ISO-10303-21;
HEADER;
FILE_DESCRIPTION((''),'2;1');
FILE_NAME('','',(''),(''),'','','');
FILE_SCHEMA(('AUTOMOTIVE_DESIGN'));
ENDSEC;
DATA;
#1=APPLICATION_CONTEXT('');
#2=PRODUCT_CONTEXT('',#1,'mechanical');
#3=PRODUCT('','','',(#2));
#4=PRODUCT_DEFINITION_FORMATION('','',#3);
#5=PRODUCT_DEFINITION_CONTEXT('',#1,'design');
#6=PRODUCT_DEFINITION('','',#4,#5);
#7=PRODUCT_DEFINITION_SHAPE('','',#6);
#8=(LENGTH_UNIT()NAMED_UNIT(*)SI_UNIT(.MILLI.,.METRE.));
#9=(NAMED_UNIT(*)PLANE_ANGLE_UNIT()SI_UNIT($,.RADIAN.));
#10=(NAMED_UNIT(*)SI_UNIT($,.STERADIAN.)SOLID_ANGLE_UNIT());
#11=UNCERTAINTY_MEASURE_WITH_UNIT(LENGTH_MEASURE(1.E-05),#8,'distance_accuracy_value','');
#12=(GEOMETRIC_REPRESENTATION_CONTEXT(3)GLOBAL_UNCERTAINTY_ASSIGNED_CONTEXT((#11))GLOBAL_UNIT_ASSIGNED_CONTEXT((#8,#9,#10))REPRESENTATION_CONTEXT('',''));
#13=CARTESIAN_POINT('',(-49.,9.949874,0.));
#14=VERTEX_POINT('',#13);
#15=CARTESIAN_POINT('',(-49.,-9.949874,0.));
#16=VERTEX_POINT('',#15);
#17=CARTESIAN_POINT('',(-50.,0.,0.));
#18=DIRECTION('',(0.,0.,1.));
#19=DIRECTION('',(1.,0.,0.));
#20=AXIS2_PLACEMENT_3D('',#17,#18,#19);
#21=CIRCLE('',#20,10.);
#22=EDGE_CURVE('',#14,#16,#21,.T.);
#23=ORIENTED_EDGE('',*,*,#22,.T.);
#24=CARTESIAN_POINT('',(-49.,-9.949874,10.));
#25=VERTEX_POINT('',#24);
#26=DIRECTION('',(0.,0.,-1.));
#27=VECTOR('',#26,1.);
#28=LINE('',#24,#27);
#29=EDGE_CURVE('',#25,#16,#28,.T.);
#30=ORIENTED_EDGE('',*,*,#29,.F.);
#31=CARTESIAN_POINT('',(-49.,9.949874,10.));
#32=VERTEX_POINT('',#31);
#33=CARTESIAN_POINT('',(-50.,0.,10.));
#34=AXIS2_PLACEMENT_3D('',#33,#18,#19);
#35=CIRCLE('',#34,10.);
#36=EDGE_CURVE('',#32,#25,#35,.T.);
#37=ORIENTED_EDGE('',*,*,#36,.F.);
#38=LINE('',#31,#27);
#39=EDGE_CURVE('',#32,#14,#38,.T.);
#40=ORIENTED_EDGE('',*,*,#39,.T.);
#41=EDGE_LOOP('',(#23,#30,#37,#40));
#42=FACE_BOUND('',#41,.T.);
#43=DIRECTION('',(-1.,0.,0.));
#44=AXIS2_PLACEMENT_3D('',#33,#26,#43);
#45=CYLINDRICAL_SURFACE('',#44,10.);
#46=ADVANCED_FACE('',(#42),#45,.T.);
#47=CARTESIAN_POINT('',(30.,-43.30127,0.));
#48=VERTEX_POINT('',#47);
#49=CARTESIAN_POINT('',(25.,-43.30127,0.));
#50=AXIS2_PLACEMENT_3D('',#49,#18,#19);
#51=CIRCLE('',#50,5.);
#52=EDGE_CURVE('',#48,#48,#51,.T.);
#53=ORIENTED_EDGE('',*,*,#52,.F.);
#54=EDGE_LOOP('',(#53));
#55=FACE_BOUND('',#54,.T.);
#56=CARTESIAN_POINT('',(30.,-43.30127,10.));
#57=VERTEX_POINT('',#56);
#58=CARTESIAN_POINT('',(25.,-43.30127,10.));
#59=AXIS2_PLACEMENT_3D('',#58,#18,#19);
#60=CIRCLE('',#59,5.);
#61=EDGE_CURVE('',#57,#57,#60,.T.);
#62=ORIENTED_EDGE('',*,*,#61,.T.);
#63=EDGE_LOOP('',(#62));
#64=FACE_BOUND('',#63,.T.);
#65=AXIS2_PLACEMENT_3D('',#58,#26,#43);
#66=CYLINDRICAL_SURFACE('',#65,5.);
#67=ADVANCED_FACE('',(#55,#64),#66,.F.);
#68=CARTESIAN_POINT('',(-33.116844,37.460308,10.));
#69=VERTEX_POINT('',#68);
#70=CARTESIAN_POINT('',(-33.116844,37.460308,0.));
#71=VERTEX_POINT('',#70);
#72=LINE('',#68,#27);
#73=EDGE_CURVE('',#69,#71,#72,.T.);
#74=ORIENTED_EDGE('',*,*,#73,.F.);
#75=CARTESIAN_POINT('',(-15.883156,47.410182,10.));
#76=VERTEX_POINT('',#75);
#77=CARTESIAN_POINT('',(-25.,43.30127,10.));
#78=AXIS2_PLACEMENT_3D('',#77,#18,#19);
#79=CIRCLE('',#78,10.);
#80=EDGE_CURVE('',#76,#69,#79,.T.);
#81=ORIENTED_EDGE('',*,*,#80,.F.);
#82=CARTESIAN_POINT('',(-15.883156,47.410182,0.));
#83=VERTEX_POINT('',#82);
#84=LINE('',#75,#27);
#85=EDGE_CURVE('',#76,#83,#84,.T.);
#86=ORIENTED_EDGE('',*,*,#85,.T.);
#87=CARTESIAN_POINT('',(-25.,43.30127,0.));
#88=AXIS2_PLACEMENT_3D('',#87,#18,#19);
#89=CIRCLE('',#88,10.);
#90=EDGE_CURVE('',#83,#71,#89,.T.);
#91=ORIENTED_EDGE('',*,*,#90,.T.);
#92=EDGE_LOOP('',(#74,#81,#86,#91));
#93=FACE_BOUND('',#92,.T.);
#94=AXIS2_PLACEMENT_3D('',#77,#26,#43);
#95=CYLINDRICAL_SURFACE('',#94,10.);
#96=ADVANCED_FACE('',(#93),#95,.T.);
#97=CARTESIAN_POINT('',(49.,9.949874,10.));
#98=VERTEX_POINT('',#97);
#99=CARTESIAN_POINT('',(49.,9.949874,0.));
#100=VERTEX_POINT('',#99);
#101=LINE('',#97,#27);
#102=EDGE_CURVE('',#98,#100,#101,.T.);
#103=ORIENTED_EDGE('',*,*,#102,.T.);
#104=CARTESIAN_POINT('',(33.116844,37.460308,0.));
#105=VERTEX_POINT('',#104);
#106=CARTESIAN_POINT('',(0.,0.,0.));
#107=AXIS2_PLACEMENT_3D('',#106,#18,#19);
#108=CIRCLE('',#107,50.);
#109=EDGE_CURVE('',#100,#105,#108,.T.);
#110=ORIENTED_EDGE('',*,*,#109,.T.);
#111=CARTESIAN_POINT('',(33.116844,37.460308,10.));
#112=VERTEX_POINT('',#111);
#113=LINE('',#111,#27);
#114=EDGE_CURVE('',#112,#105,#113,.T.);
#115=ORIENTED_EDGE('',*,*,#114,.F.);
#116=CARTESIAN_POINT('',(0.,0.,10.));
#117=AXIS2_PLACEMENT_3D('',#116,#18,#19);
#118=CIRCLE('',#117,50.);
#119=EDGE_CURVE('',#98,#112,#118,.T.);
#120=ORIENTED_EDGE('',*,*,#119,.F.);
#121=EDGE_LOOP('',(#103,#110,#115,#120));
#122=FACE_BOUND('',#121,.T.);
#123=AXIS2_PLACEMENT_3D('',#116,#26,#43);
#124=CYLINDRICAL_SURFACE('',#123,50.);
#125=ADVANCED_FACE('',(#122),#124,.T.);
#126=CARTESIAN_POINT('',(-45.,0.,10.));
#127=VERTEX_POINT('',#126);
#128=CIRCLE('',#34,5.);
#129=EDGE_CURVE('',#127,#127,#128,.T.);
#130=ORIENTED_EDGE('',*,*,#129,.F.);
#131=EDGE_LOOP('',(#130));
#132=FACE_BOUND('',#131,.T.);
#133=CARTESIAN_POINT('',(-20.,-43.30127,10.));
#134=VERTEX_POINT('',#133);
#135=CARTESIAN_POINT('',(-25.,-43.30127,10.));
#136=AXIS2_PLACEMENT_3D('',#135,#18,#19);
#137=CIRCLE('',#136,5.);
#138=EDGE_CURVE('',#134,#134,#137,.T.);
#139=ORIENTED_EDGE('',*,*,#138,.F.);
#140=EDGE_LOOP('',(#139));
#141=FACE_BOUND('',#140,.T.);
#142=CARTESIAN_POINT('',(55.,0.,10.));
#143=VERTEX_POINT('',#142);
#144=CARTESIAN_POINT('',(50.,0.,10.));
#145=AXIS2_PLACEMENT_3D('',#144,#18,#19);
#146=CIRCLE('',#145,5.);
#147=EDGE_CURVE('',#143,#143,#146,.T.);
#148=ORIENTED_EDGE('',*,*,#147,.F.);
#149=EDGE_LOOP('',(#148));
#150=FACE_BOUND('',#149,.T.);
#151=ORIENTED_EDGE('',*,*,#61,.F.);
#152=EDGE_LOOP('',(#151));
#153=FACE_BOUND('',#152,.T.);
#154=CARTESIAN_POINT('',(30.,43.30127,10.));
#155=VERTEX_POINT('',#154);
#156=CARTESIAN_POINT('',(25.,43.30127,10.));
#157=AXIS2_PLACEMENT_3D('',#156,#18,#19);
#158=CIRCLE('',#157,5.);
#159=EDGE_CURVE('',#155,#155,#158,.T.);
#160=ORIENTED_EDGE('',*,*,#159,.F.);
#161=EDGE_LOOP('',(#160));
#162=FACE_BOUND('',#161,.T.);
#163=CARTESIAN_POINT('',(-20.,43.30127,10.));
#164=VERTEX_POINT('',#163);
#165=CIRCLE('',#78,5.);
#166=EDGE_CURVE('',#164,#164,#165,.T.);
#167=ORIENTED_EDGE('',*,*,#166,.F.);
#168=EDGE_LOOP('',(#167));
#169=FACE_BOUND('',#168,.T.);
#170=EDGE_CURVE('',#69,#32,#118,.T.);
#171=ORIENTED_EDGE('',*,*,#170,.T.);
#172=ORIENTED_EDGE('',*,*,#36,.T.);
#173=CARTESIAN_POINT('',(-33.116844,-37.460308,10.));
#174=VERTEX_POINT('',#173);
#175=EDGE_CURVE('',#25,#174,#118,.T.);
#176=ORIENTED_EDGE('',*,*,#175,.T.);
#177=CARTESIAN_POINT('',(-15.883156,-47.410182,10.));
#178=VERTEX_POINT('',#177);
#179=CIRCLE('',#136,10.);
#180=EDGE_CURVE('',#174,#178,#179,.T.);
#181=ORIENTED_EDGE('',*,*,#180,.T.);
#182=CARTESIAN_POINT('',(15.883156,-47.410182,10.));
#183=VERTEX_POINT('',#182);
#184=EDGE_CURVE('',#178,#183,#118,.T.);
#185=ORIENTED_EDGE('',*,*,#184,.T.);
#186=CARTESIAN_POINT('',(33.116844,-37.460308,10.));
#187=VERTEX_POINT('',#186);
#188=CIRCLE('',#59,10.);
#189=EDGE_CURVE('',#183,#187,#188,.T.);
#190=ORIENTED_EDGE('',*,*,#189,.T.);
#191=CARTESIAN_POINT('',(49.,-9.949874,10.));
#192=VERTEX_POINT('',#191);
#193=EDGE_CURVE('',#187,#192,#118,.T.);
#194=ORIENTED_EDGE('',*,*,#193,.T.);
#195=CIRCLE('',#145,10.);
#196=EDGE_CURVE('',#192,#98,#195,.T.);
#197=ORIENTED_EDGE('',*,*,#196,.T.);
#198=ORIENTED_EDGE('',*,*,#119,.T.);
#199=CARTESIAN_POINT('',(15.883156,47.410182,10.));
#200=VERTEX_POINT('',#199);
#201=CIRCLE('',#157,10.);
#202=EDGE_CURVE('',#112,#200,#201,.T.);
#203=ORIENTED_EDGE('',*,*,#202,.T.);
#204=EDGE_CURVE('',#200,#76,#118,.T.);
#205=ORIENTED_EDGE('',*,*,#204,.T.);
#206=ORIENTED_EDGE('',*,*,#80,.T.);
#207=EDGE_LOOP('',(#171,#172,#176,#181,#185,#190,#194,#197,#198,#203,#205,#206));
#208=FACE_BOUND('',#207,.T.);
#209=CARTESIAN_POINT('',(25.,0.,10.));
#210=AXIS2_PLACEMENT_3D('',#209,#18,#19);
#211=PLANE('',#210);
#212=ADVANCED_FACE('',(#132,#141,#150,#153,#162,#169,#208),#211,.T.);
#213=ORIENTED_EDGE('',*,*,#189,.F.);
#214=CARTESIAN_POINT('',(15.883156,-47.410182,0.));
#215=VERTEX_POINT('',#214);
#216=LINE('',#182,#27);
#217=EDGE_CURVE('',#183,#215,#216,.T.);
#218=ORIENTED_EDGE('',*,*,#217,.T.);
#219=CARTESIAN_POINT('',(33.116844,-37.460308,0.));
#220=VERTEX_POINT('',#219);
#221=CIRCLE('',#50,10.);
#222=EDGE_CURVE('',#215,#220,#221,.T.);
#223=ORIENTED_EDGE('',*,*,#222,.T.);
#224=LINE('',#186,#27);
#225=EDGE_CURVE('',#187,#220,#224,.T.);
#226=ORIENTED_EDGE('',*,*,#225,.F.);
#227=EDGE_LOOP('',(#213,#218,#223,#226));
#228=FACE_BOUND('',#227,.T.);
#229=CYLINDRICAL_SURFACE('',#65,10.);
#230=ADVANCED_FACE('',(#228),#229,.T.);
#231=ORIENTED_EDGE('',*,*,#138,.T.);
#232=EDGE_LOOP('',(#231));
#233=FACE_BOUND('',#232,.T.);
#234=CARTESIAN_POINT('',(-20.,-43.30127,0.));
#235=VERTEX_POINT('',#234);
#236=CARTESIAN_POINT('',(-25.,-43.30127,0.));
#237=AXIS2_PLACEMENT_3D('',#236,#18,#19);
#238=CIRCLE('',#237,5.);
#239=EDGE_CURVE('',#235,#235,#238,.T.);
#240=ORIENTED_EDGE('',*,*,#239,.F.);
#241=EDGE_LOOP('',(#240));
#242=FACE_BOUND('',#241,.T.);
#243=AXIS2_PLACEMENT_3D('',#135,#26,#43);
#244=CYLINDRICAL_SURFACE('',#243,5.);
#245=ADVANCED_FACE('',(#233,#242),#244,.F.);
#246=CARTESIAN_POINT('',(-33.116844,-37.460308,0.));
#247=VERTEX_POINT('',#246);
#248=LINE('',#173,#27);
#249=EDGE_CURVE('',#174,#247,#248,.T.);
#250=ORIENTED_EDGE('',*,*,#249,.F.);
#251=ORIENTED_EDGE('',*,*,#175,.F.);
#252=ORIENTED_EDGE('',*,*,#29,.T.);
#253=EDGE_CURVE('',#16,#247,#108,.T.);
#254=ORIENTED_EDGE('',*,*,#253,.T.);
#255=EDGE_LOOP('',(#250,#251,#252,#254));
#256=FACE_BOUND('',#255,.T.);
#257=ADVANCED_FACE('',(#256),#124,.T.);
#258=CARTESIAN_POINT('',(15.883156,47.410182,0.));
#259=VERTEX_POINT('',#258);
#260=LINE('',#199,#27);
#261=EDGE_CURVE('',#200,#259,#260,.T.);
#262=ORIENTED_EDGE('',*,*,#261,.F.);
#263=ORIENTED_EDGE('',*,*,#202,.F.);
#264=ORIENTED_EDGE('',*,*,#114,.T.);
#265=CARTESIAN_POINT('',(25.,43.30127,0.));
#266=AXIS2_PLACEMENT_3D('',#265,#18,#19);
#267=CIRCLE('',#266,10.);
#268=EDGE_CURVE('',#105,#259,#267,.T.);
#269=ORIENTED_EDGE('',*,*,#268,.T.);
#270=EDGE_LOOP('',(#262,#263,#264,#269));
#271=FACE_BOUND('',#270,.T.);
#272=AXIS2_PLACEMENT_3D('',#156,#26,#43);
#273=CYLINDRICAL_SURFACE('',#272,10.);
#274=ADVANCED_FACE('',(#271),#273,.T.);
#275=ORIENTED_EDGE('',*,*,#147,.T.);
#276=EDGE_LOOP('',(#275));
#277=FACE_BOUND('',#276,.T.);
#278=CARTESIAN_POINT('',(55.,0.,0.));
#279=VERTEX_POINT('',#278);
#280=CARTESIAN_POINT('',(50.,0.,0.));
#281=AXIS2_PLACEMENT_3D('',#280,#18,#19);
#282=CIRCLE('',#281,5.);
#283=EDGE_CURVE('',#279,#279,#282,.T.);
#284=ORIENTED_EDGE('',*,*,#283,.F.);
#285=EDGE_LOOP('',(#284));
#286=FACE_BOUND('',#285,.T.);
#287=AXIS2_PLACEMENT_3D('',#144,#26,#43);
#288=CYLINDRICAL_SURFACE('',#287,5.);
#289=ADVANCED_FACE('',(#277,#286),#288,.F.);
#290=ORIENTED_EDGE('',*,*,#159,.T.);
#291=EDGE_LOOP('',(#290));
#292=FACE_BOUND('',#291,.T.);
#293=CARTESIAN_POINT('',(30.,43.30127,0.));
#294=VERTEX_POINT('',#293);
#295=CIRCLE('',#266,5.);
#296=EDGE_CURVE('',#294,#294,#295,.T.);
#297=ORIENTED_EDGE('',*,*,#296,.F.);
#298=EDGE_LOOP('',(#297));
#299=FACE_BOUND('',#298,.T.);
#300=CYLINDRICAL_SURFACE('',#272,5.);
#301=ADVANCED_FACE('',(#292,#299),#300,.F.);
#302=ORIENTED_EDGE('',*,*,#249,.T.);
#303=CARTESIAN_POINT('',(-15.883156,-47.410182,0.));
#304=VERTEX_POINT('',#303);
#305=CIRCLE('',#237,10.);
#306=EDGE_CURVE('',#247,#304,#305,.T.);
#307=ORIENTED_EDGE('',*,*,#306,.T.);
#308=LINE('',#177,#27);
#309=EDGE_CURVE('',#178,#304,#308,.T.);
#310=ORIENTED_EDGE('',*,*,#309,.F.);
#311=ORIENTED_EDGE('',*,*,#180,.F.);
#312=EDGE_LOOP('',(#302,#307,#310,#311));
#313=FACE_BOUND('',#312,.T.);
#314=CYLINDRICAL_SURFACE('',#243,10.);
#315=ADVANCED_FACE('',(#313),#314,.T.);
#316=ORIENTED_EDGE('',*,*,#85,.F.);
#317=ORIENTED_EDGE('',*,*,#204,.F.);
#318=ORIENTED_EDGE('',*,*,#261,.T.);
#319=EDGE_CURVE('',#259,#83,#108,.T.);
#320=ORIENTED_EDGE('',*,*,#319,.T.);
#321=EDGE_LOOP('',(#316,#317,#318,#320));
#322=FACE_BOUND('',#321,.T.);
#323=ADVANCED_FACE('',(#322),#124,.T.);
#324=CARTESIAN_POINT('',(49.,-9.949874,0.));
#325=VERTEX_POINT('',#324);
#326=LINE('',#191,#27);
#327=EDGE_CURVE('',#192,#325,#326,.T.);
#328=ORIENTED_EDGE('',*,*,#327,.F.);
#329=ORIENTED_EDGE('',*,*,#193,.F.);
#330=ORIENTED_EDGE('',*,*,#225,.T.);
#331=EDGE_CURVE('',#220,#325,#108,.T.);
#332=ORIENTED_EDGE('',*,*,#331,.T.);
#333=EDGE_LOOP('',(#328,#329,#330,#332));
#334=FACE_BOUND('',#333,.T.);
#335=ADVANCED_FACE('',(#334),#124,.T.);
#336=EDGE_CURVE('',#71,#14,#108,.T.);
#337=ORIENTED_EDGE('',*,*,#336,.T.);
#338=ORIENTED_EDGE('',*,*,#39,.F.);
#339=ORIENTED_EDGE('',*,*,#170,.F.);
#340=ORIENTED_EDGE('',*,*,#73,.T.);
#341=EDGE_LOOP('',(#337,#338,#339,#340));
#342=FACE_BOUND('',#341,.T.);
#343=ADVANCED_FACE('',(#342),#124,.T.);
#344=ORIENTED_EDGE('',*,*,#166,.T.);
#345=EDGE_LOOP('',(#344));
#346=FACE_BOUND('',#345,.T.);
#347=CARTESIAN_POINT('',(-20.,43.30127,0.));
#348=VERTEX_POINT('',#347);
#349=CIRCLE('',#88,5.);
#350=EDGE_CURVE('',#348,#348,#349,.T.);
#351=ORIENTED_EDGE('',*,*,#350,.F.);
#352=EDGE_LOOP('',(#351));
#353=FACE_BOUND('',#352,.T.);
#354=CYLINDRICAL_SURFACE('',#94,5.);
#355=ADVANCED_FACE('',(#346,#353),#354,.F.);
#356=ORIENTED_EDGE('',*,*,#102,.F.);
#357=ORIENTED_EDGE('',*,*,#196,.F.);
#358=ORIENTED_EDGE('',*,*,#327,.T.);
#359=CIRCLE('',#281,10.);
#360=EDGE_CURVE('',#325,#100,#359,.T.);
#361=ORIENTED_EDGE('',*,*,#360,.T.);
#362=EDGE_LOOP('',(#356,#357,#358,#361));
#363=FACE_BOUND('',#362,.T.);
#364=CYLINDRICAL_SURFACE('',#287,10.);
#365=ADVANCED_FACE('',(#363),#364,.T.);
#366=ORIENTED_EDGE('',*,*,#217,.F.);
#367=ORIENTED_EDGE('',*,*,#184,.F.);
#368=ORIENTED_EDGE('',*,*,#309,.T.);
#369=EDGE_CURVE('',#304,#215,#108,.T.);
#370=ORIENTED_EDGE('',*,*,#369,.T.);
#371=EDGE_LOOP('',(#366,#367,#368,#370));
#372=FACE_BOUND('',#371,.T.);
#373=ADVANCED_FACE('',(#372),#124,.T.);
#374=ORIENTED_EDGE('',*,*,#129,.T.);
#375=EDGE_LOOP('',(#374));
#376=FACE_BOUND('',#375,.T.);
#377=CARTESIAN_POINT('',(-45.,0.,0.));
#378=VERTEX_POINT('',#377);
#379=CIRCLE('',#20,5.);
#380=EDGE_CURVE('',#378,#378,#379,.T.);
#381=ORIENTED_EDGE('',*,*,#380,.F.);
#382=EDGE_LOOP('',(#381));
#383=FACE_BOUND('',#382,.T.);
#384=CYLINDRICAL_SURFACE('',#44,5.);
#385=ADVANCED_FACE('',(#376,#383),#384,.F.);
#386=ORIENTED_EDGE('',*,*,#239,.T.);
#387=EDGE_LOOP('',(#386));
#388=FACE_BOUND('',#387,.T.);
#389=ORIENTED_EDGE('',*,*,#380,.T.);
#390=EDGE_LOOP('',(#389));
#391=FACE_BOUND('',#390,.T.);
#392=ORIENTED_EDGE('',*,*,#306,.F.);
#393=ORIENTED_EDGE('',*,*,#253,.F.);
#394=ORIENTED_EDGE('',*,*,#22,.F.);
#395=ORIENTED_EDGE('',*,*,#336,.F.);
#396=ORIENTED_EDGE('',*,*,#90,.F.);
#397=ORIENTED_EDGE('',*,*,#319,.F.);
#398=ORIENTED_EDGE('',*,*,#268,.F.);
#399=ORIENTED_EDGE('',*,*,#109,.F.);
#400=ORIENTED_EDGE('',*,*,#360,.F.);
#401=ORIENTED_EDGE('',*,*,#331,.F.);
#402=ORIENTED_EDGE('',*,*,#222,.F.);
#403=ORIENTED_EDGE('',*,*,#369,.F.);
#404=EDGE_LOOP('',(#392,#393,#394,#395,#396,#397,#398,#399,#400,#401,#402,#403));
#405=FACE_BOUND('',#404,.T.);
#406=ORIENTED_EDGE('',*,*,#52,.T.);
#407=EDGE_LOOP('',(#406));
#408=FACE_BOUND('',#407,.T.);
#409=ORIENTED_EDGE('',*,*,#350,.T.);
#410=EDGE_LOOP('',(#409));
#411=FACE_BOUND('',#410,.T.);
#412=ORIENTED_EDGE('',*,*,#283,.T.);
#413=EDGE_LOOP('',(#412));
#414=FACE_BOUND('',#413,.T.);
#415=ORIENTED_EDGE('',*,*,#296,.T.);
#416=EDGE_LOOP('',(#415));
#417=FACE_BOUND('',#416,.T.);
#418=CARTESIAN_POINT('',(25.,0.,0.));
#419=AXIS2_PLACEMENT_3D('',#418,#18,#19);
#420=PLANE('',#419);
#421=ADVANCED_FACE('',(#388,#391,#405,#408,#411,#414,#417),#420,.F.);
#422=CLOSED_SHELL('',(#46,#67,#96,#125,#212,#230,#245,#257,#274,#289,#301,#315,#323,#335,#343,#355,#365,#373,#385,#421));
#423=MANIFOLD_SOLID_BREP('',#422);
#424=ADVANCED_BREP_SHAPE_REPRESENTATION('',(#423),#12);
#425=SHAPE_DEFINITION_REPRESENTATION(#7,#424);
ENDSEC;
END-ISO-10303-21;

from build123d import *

# Parameters (mm, degrees)
SKETCH2_R           = 5
BOSS_EXTRUDE1_DEPTH = 10


with BuildPart() as part:
    # Sketch2 → Boss-Extrude1 (new body)
    with BuildSketch(Plane.XY):
        with BuildLine():
            ThreePointArc((49, 9.949874371), (43.301270189, 25), (33.11684397, 37.4603076))
            ThreePointArc((33.11684397, 37.4603076), (30, 51.961524227), (15.88315603, 47.410181971))
            ThreePointArc((15.88315603, 47.410181971), (0, 50), (-15.88315603, 47.410181971))
            ThreePointArc((-15.88315603, 47.410181971), (-30, 51.961524227), (-33.11684397, 37.4603076))
            ThreePointArc((-33.11684397, 37.4603076), (-43.301270189, 25), (-49, 9.949874371))
            ThreePointArc((-49, 9.949874371), (-60, 0), (-49, -9.949874371))
            ThreePointArc((-49, -9.949874371), (-43.301270189, -25), (-33.11684397, -37.4603076))
            ThreePointArc((-33.11684397, -37.4603076), (-30, -51.961524227), (-15.88315603, -47.410181971))
            ThreePointArc((-15.88315603, -47.410181971), (0, -50), (15.88315603, -47.410181971))
            ThreePointArc((15.88315603, -47.410181971), (30, -51.961524227), (33.11684397, -37.4603076))
            ThreePointArc((33.11684397, -37.4603076), (43.301270189, -25), (49, -9.949874371))
            ThreePointArc((49, -9.949874371), (60, 0), (49, 9.949874371))
        make_face()
        with Locations((50, 0)):
            Circle(SKETCH2_R, mode=Mode.SUBTRACT)
        with Locations((25, -43.301270189)):
            Circle(SKETCH2_R, mode=Mode.SUBTRACT)
        with Locations((-25, -43.301270189)):
            Circle(SKETCH2_R, mode=Mode.SUBTRACT)
        with Locations((-50, 0)):
            Circle(SKETCH2_R, mode=Mode.SUBTRACT)
        with Locations((-25, 43.301270189)):
            Circle(SKETCH2_R, mode=Mode.SUBTRACT)
        with Locations((25, 43.301270189)):
            Circle(SKETCH2_R, mode=Mode.SUBTRACT)
    extrude(amount=BOSS_EXTRUDE1_DEPTH)


solid = part.part
